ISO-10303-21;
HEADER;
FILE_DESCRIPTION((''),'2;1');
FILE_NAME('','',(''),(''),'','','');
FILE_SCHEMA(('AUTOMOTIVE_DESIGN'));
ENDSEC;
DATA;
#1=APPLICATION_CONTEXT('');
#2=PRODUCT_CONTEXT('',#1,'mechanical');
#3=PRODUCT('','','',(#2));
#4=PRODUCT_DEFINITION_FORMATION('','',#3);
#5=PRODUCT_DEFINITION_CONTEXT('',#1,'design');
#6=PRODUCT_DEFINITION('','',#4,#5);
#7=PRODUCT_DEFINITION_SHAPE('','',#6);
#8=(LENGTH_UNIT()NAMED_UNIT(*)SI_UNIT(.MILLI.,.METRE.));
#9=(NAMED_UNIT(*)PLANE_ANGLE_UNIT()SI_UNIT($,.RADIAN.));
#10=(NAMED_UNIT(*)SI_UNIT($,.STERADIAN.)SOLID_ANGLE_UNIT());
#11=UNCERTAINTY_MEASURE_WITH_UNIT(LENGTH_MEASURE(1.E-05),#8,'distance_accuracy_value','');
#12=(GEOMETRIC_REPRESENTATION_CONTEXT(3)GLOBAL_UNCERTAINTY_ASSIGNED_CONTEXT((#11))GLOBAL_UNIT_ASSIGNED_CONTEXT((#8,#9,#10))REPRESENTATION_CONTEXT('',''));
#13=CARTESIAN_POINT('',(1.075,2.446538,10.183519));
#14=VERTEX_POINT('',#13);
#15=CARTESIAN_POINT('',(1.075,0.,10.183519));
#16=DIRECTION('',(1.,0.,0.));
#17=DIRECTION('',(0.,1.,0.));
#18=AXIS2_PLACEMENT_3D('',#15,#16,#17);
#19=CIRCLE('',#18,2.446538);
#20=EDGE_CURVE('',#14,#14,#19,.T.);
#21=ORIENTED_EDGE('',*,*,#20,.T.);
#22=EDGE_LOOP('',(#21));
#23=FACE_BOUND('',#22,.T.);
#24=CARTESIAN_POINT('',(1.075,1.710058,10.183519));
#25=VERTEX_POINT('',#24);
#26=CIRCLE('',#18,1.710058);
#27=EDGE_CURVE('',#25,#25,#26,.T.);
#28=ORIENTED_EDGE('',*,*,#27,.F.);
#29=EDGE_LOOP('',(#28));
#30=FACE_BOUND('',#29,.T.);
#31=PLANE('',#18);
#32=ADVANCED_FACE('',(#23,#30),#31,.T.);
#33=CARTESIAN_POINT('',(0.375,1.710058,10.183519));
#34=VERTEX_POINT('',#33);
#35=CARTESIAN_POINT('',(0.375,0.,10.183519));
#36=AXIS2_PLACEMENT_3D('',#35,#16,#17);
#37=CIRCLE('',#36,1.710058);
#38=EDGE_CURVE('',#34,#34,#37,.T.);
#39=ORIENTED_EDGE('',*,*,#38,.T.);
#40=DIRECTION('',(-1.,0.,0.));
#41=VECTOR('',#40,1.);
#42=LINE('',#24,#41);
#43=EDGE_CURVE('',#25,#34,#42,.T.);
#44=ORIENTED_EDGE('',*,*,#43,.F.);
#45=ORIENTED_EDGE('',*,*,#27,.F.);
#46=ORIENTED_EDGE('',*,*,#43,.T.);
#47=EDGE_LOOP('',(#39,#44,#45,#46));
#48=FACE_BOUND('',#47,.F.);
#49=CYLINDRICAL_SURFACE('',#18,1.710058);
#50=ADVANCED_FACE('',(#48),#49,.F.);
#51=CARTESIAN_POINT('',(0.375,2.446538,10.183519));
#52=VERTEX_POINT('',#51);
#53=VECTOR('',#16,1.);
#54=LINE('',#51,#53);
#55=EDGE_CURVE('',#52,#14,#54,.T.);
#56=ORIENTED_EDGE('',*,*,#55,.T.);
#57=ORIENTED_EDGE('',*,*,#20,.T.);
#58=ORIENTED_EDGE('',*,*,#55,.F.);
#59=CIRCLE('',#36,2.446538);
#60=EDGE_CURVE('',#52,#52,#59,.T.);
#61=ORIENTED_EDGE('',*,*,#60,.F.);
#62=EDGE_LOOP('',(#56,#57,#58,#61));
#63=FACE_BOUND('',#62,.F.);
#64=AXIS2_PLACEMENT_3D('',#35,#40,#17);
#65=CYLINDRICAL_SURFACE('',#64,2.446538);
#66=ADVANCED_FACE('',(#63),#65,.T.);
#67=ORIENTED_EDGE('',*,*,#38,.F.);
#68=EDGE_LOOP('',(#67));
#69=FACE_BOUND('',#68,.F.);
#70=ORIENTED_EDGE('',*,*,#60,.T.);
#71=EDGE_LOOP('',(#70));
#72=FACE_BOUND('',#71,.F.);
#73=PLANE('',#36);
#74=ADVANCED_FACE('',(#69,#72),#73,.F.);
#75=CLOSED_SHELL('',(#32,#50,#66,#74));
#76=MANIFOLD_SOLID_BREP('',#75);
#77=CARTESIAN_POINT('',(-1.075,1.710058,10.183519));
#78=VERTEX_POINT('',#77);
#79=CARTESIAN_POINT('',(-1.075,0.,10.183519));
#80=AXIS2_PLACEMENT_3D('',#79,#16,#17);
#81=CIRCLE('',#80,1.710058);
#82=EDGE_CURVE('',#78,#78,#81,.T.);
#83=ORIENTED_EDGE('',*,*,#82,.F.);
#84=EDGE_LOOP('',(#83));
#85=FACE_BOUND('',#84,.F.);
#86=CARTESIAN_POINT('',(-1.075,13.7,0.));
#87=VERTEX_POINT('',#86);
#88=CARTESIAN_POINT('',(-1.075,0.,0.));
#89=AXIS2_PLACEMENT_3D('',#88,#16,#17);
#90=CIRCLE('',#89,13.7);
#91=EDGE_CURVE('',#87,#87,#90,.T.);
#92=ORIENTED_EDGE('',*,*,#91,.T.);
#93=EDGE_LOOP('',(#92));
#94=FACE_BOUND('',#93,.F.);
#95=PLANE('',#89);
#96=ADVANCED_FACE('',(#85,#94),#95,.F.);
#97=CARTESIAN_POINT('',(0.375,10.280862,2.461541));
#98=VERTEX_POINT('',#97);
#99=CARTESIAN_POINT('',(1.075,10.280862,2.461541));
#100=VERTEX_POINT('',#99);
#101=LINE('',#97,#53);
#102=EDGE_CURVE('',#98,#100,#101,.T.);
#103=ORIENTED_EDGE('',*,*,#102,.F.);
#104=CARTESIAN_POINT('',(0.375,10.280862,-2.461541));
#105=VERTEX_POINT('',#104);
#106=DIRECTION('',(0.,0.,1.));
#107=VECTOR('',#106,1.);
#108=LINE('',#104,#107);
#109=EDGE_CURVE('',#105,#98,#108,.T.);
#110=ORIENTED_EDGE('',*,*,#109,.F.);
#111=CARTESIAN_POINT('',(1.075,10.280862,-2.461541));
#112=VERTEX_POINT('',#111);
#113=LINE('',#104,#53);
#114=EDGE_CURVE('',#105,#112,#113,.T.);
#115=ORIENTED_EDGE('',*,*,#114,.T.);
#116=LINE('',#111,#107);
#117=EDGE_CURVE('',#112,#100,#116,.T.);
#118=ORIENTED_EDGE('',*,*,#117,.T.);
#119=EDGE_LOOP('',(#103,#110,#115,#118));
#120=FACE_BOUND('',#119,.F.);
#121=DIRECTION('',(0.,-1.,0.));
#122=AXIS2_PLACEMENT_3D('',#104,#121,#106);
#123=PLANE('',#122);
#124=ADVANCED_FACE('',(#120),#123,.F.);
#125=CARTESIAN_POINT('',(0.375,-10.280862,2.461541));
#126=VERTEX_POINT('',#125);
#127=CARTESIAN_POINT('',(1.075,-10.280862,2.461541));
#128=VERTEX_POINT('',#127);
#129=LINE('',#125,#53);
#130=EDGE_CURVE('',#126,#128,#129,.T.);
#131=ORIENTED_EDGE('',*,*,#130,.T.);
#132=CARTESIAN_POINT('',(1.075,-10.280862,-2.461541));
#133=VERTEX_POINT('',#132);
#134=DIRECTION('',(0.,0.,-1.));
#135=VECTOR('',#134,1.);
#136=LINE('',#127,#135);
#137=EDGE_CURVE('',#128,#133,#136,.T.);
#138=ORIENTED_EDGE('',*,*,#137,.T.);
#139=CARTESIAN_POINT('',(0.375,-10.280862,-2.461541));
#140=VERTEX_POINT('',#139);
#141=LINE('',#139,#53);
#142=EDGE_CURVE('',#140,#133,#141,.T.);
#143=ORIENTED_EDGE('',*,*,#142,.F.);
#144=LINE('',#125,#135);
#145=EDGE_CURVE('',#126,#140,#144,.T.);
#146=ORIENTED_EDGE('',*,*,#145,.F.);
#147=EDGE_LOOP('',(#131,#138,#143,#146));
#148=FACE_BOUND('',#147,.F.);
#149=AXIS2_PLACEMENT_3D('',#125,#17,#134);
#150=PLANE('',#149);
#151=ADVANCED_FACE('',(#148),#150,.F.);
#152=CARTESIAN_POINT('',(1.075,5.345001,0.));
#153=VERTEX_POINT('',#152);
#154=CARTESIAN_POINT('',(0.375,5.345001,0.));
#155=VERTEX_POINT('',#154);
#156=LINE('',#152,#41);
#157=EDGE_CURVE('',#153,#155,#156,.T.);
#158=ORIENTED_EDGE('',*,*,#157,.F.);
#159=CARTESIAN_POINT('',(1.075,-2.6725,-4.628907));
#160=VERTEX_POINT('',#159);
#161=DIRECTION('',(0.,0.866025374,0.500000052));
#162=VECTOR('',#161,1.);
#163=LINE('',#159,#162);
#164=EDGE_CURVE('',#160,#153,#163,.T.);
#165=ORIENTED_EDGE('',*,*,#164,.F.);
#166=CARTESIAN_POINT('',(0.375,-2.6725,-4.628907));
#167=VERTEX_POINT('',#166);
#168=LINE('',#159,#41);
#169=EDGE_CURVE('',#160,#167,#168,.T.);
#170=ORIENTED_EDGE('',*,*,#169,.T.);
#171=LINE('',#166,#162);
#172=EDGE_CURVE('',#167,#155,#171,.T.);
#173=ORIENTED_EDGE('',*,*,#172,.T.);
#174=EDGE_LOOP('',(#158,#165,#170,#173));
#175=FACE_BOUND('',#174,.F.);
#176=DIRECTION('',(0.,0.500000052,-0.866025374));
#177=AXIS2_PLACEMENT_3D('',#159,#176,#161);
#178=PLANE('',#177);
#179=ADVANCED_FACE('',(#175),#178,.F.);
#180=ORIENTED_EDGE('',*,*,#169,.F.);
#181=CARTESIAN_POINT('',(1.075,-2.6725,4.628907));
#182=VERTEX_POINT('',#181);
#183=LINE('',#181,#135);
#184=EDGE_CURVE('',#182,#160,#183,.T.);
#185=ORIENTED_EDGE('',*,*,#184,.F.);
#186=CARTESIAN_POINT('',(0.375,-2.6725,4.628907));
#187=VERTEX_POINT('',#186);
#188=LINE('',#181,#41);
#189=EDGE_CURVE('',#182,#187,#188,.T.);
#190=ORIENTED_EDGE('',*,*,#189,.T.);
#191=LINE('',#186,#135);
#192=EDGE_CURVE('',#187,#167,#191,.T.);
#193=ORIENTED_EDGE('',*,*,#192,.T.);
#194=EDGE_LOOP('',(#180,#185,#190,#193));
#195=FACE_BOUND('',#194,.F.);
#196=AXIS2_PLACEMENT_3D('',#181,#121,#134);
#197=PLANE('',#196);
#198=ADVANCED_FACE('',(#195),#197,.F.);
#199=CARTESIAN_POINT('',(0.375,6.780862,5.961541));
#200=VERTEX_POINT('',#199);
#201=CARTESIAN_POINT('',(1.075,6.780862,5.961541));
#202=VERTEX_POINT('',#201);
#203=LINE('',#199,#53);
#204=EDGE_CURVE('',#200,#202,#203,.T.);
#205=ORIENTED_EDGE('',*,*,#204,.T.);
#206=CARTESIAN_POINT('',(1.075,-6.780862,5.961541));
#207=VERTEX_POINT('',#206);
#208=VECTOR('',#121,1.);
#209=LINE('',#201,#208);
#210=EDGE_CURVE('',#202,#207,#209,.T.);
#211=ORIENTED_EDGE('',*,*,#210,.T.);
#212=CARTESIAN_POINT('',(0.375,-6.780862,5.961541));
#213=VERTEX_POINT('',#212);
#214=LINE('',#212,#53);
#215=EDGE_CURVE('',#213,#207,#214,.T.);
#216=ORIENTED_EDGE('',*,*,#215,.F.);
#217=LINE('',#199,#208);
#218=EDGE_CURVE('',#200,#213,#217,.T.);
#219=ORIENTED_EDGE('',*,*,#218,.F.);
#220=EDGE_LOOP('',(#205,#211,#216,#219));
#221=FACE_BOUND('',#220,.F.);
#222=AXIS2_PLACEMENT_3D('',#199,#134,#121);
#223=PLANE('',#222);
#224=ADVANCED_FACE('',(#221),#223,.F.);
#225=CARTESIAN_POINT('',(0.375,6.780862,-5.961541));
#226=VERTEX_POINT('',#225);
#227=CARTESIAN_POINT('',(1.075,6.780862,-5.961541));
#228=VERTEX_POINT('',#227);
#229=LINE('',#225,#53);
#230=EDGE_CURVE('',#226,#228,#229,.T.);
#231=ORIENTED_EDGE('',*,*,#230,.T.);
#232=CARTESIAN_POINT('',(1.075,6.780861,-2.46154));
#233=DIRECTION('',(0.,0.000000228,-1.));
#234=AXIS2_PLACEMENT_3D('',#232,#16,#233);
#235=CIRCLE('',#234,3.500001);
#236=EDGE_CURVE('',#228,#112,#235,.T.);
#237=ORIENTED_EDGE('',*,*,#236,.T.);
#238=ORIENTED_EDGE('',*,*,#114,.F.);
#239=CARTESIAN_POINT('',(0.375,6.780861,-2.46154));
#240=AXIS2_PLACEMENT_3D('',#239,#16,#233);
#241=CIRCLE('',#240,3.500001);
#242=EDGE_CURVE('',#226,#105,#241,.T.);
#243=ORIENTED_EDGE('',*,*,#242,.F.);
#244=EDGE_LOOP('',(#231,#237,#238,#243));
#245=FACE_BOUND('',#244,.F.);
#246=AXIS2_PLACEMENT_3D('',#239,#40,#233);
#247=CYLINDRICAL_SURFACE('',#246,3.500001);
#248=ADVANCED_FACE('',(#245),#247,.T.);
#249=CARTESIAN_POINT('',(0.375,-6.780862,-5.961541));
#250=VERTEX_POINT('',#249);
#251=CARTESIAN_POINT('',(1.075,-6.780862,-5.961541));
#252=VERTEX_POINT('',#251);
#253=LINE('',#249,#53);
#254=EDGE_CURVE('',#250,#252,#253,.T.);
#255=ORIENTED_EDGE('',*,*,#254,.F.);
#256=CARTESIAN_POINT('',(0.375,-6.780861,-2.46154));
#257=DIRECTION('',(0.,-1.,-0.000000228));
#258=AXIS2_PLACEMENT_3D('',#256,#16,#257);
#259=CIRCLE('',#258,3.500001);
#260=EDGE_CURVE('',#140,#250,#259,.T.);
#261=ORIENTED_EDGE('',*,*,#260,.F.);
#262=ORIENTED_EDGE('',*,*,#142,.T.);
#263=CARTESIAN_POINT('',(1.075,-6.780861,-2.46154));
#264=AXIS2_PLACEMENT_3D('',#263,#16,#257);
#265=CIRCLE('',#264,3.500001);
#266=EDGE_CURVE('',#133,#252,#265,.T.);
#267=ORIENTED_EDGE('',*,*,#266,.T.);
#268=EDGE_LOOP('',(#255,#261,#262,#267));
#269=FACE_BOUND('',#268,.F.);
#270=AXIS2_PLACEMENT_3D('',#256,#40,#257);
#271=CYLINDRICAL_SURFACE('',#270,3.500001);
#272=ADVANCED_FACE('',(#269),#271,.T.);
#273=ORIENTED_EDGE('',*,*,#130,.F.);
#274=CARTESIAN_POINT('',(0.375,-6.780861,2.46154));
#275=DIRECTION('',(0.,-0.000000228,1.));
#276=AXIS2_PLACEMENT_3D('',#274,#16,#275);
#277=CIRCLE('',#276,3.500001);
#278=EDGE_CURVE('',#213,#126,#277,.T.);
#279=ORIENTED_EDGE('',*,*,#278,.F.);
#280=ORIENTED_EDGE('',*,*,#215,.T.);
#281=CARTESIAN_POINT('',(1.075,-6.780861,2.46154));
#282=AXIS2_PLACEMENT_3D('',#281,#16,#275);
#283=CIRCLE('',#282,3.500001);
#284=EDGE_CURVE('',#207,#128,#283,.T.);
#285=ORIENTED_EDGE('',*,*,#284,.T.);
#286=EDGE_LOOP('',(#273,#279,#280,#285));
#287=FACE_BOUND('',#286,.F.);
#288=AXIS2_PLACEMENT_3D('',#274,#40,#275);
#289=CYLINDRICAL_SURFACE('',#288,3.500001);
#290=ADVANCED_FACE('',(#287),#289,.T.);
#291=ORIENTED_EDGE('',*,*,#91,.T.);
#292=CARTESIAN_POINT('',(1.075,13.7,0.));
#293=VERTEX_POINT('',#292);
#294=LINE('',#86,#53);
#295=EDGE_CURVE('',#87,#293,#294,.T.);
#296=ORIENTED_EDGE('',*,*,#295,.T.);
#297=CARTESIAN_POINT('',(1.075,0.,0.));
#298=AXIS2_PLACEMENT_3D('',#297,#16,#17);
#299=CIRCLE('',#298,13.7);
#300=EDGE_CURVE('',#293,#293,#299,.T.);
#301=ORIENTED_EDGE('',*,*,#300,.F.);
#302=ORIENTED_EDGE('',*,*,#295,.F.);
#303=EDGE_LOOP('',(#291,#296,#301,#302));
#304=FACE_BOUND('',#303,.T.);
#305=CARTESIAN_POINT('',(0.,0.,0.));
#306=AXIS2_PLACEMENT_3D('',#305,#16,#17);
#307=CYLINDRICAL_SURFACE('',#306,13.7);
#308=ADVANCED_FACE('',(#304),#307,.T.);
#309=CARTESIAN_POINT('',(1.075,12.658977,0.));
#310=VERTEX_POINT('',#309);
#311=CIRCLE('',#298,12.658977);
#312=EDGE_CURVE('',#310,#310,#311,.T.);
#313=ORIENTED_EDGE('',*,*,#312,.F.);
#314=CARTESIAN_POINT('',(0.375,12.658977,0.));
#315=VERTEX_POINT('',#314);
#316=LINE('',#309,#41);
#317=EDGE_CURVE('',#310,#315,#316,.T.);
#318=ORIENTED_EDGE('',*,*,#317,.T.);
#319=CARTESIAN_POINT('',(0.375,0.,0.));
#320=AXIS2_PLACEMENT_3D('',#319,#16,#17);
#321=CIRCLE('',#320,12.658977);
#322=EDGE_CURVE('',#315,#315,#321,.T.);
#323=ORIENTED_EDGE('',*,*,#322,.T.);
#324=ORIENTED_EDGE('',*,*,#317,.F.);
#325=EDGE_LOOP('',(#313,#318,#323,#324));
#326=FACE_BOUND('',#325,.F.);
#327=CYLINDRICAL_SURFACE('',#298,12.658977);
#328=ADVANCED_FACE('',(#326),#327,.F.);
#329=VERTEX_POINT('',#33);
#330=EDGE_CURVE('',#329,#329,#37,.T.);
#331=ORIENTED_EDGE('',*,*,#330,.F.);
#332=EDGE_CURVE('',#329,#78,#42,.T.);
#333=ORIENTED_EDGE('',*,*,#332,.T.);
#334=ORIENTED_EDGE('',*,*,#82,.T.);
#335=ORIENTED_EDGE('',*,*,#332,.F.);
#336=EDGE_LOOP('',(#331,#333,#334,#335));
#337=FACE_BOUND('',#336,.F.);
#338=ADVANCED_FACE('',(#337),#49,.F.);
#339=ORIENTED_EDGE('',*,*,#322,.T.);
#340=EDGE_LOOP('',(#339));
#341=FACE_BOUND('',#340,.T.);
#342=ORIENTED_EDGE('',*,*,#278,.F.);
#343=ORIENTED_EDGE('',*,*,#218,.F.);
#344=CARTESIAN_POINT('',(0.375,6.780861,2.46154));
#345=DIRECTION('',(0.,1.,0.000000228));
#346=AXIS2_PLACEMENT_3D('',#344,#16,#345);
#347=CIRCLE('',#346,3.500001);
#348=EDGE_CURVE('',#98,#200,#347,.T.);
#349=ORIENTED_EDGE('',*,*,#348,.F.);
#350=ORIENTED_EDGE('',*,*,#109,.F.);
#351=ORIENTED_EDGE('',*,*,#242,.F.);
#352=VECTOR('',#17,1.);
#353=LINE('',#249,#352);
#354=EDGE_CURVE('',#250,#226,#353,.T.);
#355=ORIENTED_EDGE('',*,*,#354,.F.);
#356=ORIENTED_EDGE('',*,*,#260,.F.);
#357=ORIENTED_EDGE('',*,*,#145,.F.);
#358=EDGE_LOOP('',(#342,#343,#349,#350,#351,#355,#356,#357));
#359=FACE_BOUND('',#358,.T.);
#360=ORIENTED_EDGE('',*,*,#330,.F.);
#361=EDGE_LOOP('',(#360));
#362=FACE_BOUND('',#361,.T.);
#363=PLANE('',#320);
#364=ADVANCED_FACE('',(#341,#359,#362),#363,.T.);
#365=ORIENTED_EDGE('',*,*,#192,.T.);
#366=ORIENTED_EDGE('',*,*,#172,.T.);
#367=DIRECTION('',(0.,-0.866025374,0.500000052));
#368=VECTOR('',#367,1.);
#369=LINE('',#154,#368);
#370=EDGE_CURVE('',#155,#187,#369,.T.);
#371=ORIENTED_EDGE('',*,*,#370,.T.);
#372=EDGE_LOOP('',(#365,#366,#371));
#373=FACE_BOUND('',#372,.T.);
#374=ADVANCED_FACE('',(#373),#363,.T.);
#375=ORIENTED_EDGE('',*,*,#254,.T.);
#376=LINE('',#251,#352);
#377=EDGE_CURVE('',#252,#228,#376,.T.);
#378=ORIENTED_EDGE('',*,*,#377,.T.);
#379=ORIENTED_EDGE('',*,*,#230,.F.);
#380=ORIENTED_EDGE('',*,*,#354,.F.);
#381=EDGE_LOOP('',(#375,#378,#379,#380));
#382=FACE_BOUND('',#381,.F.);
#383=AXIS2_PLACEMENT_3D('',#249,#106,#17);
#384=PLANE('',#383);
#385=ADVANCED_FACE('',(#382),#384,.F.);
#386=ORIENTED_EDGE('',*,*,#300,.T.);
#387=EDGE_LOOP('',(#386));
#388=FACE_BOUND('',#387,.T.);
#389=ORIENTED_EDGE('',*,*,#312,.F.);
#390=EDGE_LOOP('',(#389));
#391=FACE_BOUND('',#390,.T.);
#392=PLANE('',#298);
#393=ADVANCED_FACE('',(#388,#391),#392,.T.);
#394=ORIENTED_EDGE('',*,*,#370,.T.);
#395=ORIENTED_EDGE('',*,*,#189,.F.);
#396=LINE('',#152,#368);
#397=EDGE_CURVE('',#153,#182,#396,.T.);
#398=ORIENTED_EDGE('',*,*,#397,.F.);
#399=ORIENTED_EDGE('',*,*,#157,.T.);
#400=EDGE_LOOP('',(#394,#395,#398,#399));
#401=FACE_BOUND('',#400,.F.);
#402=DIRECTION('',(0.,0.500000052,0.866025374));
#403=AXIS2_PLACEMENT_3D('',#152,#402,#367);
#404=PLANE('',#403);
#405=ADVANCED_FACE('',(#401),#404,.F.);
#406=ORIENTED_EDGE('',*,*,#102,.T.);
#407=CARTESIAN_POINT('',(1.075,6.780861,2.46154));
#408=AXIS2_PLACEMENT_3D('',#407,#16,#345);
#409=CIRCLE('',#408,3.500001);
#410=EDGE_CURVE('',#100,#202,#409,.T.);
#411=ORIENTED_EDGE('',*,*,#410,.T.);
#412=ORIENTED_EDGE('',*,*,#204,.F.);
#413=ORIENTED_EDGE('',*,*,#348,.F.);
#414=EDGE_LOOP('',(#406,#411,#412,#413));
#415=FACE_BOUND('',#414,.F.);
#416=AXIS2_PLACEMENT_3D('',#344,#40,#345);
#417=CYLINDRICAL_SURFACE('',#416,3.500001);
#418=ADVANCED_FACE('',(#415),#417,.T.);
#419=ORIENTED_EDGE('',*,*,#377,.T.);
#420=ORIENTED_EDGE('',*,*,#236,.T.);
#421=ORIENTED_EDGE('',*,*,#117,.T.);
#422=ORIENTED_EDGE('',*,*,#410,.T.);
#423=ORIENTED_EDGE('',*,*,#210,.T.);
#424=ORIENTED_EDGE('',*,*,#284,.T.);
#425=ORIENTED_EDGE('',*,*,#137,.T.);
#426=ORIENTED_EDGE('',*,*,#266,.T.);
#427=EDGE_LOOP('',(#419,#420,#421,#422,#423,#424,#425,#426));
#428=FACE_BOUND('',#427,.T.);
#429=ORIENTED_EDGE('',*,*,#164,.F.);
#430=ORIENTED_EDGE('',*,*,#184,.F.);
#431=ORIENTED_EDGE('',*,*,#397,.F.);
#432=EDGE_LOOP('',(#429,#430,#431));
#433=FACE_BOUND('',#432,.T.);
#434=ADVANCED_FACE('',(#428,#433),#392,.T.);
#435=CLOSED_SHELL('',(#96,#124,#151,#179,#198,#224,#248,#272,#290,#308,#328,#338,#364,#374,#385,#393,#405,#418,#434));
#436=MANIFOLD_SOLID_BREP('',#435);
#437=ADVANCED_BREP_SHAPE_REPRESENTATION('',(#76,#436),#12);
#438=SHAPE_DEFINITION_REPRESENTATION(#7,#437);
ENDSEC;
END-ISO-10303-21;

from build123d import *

# Parameters (mm, degrees)
F0_R      = 13.7
F1_DEPTH  = 1.075
F2_R      = 12.658977
F3_DEPTH  = 0.7
F5_R      = 2.446538
F6_DEPTH  = 0.7
F7_R      = 1.710058
F8_DEPTH  = 2.151
F10_DEPTH = 0.7
F12_DEPTH = 0.7


with BuildPart() as f1:
    # F0 (on Right) → F1 (new body, symmetric)
    with BuildSketch(Plane.YZ):
        Circle(F0_R)
    extrude(amount=F1_DEPTH, both=True)

    # F2 (on face) → F3 (cut)
    with BuildSketch(Plane.YZ.offset(1.075)):
        Circle(F2_R)
    extrude(amount=-F3_DEPTH, mode=Mode.SUBTRACT)


with BuildPart() as f6:
    # F5 (on face) → F6 (new body)
    with BuildSketch(Plane.YZ.offset(0.375)):
        with Locations((0, 10.183519)):
            Circle(F5_R)
    extrude(amount=F6_DEPTH)


with BuildPart() as f8_tool:
    # F7 (on face) → F8 (new body, through all)
    with BuildSketch(Plane.YZ.offset(1.075)):
        with Locations((0, 10.183519)):
            Circle(F7_R)
    extrude(amount=-F8_DEPTH)


with BuildPart() as f1_1:
    add(f1.part)

    # F8: cut by f8_tool
    add(f8_tool.part, mode=Mode.SUBTRACT)

    # F9 (on face) → F10 (join)
    with BuildSketch(Plane.YZ.offset(0.375)):
        with BuildLine():
            Line((6.780862, 5.961541), (-6.780862, 5.961541))
            ThreePointArc((-6.780862, 5.961541), (-9.255736, 4.936414), (-10.280862, 2.461541))
            Line((-10.280862, 2.461541), (-10.280862, -2.461541))
            ThreePointArc((-10.280862, -2.461541), (-9.255736, -4.936414), (-6.780862, -5.961541))
            Line((-6.780862, -5.961541), (6.780862, -5.961541))
            ThreePointArc((6.780862, -5.961541), (9.255736, -4.936414), (10.280862, -2.461541))
            Line((10.280862, -2.461541), (10.280862, 2.461541))
            ThreePointArc((10.280862, 2.461541), (9.255736, 4.936414), (6.780862, 5.961541))
        make_face()
    extrude(amount=F10_DEPTH)

    # F11 (on face) → F12 (cut)
    with BuildSketch(Plane.YZ.offset(1.075)):
        Polygon((-2.6725, 4.628907), (-2.6725, -4.628907), (5.345001, 0), align=None)
    extrude(amount=-F12_DEPTH, mode=Mode.SUBTRACT)


with BuildPart() as f6_1:
    add(f6.part)

    # F8: cut by f8_tool
    add(f8_tool.part, mode=Mode.SUBTRACT)


solid = Compound([f1_1.part, f6_1.part])
